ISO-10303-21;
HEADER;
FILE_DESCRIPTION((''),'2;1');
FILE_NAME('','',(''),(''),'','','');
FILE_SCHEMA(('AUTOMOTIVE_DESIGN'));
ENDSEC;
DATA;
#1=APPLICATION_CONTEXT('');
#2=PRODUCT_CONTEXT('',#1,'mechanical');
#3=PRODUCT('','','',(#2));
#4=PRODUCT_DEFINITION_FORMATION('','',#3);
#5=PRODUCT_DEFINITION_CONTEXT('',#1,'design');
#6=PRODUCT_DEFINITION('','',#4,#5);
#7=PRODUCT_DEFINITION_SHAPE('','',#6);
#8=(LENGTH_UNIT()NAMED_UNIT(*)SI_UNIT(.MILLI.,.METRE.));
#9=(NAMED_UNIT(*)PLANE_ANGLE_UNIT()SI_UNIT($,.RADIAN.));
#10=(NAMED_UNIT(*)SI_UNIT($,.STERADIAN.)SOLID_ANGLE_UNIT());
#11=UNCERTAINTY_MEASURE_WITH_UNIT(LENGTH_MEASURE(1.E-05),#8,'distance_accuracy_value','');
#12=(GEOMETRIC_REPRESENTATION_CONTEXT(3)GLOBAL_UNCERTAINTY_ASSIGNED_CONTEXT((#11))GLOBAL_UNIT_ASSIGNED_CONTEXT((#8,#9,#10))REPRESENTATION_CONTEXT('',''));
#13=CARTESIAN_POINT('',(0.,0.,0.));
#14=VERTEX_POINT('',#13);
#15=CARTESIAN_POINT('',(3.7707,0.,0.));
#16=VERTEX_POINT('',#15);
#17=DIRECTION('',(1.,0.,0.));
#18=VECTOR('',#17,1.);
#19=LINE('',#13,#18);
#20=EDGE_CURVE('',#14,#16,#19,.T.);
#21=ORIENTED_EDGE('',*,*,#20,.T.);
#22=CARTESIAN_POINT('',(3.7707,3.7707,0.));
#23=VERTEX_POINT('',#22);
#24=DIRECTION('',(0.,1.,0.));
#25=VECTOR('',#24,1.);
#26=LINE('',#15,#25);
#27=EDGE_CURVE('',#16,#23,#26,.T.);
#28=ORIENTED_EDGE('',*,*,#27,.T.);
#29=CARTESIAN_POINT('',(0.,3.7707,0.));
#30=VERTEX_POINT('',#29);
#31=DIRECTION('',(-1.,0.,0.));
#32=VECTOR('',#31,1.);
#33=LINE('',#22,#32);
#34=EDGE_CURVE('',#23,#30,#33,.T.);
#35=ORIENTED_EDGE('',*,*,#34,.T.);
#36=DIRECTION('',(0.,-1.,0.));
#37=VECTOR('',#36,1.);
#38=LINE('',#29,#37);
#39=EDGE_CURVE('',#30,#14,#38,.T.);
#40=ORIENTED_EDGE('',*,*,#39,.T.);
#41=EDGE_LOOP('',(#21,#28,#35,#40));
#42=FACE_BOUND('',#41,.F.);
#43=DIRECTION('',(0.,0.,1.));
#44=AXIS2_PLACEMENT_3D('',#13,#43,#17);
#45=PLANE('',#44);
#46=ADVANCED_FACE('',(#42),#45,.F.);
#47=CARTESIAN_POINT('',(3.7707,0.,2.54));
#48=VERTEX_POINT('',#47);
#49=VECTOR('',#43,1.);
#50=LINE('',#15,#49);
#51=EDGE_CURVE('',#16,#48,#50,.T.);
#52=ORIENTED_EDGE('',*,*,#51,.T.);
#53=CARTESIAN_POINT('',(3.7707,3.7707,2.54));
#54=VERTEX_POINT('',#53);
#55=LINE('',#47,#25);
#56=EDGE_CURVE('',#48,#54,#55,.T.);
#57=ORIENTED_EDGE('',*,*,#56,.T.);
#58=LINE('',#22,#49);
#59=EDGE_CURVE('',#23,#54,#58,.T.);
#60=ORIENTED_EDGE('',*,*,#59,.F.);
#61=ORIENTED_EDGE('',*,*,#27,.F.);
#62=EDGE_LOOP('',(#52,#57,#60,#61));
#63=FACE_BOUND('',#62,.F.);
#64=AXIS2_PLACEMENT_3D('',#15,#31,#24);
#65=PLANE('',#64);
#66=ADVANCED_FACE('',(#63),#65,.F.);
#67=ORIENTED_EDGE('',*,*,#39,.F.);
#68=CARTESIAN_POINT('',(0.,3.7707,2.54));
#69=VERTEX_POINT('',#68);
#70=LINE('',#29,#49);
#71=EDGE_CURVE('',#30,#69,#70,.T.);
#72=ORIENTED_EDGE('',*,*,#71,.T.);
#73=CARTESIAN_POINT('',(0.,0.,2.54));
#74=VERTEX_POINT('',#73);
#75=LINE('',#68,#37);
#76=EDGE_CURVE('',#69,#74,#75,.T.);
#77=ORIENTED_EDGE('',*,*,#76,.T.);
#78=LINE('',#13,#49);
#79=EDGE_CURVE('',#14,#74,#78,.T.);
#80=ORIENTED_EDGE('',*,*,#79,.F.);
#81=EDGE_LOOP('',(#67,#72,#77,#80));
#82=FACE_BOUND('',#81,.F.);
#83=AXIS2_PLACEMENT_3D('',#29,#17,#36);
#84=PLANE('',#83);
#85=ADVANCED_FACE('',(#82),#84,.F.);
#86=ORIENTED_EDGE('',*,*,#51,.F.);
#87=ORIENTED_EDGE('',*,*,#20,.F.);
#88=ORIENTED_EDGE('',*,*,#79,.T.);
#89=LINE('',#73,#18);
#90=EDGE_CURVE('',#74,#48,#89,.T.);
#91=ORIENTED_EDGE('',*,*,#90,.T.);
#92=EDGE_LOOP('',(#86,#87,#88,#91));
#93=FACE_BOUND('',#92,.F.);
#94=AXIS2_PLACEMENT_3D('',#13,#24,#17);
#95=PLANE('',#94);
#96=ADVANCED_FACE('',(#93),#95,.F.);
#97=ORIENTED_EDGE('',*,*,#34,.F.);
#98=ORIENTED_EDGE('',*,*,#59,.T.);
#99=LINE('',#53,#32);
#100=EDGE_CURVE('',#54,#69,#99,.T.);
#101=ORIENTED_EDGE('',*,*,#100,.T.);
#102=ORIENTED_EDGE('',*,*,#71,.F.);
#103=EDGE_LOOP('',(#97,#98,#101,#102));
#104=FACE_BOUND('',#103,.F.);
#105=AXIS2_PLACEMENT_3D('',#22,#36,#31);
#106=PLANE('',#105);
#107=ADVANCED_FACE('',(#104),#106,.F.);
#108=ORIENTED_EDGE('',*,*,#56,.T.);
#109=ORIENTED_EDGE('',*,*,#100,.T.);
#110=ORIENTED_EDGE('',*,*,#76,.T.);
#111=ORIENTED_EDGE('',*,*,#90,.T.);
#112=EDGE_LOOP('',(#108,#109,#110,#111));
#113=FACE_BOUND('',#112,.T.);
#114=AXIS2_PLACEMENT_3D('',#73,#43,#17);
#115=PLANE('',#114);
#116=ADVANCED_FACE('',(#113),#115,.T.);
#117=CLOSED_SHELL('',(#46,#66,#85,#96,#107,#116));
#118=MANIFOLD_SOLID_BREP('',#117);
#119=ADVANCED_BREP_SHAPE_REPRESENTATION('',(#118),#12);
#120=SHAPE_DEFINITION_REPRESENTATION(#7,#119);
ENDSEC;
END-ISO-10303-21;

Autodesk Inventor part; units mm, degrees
ref_plane "YZ Plane" through (0, 0, 0) normal (1, 0, 0) x (0, 1, 0)
ref_plane "XZ Plane" through (0, 0, 0) normal (0, 1, 0) x (-1, 0, 0)
ref_plane "XY Plane" through (0, 0, 0) normal (0, 0, 1) x (1, 0, 0)
sketch "Sketch1" plane through (0, 0, 0) normal (0, 0, 1) x (1, 0, 0)
  line L0 (0, 0) -> (3.7707, 0)
  line L1 (3.7707, 0) -> (3.7707, 3.7707)
  line L2 (3.7707, 3.7707) -> (0, 3.7707)
  line L3 (0, 3.7707) -> (0, 0)
  dimension "d2" = 3.7707
  dimension "d3" = 3.7707
extrude "Extrusion1" add sketch "Sketch1" along normal blind 2.54
properties part number "PegHead" material "Iron, Malleable"
